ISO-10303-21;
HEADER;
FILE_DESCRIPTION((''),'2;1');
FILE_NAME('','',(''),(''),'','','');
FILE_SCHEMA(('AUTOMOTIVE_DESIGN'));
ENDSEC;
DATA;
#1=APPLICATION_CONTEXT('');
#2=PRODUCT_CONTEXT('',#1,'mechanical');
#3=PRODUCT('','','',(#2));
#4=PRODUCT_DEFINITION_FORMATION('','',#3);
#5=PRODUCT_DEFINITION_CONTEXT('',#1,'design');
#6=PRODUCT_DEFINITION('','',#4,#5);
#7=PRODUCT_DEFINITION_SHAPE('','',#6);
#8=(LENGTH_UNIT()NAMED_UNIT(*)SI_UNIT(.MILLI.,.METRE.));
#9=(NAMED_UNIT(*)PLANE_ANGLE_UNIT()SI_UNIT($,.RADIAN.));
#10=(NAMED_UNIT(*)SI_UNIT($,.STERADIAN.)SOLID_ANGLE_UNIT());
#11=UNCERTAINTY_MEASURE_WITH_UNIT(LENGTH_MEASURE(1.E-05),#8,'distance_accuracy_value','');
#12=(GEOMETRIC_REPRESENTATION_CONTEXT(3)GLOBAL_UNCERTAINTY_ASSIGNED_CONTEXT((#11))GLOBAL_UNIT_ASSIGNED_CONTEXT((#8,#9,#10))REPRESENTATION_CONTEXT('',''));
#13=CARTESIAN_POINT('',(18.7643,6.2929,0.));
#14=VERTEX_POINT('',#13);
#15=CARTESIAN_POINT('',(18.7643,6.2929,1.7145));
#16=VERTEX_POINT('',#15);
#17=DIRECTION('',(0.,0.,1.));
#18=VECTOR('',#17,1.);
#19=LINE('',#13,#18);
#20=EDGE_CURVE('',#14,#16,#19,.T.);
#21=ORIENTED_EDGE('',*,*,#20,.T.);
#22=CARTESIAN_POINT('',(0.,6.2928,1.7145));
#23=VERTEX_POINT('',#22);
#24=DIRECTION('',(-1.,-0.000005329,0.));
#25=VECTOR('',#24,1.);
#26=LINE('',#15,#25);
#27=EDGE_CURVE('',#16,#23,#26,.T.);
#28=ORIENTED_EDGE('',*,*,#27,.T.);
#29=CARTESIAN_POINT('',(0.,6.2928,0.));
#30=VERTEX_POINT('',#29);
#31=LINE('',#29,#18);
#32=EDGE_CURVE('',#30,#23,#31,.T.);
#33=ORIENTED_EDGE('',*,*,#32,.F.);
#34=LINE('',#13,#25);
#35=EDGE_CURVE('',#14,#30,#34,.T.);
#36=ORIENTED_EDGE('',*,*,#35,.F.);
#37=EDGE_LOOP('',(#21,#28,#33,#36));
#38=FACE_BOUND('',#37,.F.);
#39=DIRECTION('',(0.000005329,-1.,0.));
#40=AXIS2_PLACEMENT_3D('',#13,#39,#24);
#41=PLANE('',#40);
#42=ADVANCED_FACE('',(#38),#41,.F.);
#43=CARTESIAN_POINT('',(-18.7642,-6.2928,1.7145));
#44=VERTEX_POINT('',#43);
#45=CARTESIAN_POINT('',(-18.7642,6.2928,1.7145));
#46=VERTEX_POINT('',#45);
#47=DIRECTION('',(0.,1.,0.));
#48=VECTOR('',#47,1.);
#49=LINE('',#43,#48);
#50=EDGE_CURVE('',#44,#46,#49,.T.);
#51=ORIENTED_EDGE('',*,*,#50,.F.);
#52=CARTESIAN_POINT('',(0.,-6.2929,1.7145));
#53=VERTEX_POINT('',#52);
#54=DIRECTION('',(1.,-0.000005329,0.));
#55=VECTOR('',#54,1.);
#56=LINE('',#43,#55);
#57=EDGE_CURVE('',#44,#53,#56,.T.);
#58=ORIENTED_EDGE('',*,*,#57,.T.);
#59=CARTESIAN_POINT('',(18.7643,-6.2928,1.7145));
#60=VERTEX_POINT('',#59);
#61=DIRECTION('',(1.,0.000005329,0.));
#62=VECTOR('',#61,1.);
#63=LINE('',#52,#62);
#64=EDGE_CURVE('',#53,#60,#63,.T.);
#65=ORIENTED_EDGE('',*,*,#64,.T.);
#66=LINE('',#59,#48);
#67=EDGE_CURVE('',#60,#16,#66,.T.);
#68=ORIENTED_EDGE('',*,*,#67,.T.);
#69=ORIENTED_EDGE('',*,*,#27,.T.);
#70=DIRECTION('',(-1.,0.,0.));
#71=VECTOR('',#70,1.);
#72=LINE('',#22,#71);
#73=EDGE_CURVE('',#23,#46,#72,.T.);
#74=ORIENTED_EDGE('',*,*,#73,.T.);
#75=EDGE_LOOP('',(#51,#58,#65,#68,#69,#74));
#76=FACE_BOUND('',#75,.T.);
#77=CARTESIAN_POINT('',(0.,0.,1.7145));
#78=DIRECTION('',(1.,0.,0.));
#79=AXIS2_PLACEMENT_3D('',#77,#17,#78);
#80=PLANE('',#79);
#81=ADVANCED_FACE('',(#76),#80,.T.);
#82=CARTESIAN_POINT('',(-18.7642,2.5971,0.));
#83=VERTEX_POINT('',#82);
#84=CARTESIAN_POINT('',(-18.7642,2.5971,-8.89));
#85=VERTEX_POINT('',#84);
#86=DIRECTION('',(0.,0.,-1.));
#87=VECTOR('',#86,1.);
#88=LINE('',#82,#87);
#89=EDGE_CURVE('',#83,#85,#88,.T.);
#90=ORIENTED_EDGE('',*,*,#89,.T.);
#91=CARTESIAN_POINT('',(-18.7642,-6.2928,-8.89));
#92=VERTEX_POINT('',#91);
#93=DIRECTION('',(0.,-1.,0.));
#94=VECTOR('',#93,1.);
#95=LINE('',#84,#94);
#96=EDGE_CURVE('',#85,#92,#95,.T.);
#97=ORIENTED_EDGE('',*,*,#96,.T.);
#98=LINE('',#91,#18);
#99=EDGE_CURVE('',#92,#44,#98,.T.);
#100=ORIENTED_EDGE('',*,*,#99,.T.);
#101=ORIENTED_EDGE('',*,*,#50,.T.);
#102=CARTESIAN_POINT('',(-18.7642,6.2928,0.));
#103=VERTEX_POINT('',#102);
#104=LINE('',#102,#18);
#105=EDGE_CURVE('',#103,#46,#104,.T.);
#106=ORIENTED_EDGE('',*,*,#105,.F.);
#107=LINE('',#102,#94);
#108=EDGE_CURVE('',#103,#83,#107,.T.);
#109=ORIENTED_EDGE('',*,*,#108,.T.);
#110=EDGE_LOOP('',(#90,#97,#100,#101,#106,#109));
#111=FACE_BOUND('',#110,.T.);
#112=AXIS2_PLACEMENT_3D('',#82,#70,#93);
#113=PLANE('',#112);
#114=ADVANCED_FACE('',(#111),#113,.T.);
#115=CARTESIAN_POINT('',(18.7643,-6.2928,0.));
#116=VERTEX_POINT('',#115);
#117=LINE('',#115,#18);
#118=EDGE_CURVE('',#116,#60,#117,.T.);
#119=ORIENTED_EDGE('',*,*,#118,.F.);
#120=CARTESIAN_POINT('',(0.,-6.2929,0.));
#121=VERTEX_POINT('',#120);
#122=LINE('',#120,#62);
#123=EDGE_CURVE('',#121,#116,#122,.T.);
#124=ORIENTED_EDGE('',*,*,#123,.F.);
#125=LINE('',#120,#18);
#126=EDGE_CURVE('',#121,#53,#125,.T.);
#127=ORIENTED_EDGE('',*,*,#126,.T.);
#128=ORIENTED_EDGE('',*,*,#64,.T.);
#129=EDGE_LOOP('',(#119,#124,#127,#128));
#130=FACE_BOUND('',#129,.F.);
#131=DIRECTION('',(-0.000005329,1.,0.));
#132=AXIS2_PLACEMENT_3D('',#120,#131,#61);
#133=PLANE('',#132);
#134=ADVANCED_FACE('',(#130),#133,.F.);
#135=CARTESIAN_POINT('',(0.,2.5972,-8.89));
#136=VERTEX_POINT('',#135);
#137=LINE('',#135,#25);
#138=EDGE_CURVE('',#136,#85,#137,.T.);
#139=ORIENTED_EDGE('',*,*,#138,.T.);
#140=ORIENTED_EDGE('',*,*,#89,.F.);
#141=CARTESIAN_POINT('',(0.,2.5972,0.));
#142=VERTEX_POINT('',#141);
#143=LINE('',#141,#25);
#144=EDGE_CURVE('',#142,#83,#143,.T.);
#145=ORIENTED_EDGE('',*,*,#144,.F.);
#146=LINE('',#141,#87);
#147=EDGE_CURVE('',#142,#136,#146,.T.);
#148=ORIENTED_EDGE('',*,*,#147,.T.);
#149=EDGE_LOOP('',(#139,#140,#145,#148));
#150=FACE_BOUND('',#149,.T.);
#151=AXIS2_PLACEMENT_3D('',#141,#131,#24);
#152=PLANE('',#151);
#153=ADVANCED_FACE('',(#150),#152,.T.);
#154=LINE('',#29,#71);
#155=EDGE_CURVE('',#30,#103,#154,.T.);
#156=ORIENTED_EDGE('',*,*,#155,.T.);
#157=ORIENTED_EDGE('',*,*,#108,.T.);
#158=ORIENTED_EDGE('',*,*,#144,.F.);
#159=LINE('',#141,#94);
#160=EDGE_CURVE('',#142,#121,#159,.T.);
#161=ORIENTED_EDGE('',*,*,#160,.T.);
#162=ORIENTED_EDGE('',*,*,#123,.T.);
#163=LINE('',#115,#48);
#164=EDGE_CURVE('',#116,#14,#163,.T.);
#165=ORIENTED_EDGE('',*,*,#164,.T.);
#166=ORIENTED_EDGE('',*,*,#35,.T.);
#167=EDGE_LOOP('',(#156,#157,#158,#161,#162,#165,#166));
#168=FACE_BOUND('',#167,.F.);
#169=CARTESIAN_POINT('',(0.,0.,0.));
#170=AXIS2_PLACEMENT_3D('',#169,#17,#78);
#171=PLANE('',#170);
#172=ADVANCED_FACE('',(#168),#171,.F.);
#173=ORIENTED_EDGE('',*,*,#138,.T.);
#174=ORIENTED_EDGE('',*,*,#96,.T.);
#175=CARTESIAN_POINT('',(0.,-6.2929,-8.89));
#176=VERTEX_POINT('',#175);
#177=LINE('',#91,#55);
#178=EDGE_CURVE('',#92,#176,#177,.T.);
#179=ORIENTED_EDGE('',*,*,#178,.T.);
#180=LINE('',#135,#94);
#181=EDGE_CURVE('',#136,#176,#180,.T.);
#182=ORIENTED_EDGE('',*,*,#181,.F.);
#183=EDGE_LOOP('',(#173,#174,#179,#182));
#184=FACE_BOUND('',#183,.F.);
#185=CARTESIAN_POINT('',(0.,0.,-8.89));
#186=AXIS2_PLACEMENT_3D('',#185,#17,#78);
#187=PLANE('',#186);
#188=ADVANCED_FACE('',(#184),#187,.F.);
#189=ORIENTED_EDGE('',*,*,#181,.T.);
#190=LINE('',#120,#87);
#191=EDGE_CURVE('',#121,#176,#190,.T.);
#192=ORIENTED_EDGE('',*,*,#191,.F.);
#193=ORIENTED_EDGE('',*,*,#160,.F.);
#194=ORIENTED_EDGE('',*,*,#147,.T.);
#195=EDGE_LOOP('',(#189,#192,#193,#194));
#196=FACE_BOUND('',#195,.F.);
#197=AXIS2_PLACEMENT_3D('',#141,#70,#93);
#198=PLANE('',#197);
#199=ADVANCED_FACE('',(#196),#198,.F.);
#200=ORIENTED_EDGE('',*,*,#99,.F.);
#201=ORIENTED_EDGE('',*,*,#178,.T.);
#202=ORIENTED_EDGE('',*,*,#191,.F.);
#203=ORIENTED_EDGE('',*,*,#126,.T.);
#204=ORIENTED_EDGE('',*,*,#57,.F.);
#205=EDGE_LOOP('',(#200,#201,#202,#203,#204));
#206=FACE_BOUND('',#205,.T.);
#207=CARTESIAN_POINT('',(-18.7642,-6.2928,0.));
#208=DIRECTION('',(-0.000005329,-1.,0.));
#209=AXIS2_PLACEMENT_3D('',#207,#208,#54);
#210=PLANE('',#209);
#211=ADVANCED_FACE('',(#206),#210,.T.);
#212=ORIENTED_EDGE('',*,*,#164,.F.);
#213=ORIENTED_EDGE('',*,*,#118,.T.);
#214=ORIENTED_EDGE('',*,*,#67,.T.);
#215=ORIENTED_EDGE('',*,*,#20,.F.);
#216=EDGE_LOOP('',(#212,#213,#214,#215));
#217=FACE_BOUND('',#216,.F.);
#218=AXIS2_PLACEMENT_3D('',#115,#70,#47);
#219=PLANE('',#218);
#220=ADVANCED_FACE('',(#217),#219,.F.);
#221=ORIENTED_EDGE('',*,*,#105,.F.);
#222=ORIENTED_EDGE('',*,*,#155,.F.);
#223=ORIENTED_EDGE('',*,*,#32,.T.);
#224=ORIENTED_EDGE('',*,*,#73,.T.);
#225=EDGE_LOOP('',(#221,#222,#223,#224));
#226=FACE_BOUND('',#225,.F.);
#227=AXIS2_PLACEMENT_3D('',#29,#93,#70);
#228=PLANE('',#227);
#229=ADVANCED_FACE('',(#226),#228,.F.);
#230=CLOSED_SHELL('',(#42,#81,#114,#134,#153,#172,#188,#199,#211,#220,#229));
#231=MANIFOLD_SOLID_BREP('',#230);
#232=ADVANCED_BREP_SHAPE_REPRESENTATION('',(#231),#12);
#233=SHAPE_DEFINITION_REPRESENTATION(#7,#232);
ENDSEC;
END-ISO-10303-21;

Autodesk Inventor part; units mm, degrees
ref_plane "YZ Plane" through (0, 0, 0) normal (1, 0, 0) x (0, 1, 0)
ref_plane "XZ Plane" through (0, 0, 0) normal (0, 1, 0) x (-1, 0, 0)
ref_plane "XY Plane" through (0, 0, 0) normal (0, 0, 1) x (1, 0, 0)
sketch "Sketch1" plane through (0, 0, 0) normal (0, 0, 1) x (1, 0, 0)
  line L0 (-18.7642, -6.2928) -> (0, -6.2929)
  line L1 (18.7643, -6.2928) -> (18.7643, 6.2929)
  line L2 (18.7643, 6.2929) -> (0, 6.2928)
  line L3 (-18.7642, 6.2928) -> (-18.7642, 2.5971)
  line L4 (-18.7642, -6.2928) -> (18.7643, 6.2929) construction
  line L5 (18.7643, -6.2928) -> (-18.7642, 6.2928) construction
  line L6 (0, 6.2928) -> (0, 2.5972)
  line L7 (0, 6.2928) -> (-18.7642, 6.2928)
  line L8 (0, -6.2929) -> (18.7643, -6.2928)
  line L9 (0, 2.5972) -> (-18.7642, 2.5971)
  line L10 (0, 2.5972) -> (0, -6.2929)
  line L11 (-18.7642, 2.5971) -> (-18.7642, -6.2928)
  point P0 (0, 0)
  point P1 (0, 0)
  point P2 (0, 0)
  dimension "d0" = 12.5857
  dimension "d1" = 37.5285
  dimension "d5" = 8.89
extrude "Extrusion1" add sketch "Sketch1" along normal blind 1.7145
extrude "Extrusion2" add sketch "Sketch1" against normal blind 8.89 contours L11 L9 L10 L0
properties part number "Track v3 Access Cover"
